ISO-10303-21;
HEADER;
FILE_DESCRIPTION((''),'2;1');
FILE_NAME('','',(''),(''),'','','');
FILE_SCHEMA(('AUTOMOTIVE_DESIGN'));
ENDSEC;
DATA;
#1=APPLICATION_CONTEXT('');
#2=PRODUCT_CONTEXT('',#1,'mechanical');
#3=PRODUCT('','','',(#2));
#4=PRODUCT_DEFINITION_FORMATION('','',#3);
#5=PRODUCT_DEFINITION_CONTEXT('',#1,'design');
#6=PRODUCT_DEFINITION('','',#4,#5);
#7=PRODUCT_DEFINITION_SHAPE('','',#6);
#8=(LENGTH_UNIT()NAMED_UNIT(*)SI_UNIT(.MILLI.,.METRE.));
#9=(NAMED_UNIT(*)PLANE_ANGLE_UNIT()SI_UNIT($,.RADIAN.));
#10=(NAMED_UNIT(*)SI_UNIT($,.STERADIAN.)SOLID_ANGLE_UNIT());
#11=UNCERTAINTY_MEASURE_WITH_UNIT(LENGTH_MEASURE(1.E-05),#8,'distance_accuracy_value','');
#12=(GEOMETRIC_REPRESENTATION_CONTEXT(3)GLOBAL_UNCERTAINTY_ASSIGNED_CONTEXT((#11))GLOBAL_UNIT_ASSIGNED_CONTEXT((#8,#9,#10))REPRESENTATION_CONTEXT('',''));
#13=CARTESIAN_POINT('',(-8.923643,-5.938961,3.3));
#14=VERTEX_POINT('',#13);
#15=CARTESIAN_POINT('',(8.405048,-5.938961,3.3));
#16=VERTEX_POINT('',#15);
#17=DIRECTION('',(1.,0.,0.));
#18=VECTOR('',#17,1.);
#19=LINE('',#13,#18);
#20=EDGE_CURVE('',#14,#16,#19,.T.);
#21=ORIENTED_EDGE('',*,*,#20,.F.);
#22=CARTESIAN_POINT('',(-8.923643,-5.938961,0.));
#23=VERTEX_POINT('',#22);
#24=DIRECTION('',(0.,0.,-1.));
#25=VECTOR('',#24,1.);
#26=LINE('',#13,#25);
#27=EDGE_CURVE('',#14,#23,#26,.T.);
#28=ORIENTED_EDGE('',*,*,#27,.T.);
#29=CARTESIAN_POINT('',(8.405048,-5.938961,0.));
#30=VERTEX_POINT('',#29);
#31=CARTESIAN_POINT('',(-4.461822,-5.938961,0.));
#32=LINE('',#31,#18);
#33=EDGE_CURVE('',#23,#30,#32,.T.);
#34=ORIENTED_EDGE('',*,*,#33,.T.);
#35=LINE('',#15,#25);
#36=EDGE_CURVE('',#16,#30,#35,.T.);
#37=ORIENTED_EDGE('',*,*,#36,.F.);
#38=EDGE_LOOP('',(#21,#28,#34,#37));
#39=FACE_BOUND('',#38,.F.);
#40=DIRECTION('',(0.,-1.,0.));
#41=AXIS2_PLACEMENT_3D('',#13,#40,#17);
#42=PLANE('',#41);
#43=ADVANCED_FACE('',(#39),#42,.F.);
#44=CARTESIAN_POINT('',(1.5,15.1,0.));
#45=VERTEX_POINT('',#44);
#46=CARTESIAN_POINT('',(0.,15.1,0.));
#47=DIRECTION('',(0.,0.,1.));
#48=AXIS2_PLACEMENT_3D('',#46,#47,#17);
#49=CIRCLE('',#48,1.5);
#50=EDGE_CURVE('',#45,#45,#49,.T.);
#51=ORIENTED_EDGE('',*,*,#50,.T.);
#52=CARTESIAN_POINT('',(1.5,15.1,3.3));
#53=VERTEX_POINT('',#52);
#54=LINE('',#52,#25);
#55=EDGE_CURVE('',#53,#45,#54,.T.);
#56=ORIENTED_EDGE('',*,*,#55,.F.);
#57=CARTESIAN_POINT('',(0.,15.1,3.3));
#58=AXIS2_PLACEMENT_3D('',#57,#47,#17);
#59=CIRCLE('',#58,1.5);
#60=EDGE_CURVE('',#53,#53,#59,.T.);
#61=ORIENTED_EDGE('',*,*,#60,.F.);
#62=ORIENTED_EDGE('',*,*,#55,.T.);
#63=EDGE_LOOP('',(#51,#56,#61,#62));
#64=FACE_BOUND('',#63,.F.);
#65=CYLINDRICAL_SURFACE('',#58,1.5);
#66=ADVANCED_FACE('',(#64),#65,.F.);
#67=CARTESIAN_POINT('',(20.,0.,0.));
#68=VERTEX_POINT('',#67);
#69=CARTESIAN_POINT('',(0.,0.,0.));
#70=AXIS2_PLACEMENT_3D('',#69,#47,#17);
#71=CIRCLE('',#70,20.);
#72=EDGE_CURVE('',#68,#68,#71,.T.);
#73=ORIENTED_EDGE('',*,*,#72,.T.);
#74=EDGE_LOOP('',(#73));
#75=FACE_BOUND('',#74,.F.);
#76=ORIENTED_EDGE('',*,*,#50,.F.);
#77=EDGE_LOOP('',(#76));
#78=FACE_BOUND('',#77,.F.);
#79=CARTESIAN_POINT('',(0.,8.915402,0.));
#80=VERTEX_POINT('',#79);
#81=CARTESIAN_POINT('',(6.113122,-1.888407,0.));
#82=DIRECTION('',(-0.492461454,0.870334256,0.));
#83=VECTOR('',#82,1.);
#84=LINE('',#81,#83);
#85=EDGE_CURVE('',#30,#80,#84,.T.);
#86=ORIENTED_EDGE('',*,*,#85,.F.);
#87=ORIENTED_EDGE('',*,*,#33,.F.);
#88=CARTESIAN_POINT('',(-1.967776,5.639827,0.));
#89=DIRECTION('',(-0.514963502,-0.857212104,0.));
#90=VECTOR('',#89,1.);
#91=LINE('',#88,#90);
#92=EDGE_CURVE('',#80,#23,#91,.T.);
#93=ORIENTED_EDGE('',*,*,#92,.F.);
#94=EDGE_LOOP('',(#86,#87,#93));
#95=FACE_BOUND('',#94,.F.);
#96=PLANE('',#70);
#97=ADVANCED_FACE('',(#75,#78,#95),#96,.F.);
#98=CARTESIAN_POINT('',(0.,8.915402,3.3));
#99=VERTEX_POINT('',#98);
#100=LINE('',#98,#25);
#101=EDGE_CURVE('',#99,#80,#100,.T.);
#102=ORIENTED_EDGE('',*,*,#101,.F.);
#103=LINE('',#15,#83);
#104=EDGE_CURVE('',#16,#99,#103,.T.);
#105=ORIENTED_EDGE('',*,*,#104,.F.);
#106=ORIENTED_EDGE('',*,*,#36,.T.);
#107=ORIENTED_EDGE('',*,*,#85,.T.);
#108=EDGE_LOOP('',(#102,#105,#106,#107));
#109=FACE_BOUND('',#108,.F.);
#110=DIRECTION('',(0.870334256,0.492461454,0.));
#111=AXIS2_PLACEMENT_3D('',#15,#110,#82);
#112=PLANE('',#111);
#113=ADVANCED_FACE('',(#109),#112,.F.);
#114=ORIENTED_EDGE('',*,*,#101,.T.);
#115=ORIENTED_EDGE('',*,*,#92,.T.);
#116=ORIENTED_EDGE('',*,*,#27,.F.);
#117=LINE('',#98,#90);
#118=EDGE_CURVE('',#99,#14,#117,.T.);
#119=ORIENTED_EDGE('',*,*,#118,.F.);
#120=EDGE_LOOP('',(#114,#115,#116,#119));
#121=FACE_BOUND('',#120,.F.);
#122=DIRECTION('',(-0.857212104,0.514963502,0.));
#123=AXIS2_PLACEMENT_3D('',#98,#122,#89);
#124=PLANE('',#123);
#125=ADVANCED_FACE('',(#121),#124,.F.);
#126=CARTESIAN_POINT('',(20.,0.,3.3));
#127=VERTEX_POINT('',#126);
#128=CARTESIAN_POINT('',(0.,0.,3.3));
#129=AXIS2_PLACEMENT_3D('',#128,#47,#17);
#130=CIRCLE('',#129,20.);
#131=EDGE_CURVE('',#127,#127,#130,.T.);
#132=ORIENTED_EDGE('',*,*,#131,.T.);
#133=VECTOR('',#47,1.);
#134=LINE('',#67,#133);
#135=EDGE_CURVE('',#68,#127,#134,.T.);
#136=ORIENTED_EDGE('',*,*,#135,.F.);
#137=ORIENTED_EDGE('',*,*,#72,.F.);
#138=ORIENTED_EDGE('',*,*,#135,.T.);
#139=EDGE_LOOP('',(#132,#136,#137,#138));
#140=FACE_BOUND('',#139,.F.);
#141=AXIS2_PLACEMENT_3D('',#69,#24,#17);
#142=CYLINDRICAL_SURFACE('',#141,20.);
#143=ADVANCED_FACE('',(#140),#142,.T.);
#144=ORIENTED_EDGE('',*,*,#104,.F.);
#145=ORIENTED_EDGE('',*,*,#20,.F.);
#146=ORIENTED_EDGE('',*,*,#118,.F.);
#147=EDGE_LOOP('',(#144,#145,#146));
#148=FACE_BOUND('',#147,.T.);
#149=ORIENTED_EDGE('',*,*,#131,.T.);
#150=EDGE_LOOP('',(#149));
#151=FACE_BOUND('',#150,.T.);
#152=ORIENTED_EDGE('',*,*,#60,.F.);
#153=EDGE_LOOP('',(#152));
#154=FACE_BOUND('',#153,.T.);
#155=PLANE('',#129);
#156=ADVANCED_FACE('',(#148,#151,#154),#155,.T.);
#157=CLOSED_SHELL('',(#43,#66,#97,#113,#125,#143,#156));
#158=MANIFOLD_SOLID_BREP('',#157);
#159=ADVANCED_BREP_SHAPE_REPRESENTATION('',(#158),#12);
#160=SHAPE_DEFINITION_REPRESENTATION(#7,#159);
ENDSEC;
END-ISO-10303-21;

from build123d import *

# Parameters (mm, degrees)
CYLINDER_R      = 20
CYLINDER_DEPTH  = 3.3
SKETCH_R        = 1.5
POCKET_DEPTH    = 3.301
POCKET001_DEPTH = 3.301


with BuildPart() as part:
    # Cylinder → Cylinder (new body)
    with BuildSketch(Plane.XY):
        Circle(CYLINDER_R)
    extrude(amount=CYLINDER_DEPTH)

    # Sketch → Pocket (cut, through all)
    with BuildSketch(Plane.XY.offset(3.3)):
        with Locations((0, 15.1)):
            Circle(SKETCH_R)
    extrude(amount=-POCKET_DEPTH, mode=Mode.SUBTRACT)

    # Sketch001 → Pocket001 (cut, through all)
    with BuildSketch(Plane.XY.offset(3.3)):
        Polygon((0, 8.915402), (-8.923643, -5.938961), (8.405048, -5.938961), align=None)
    extrude(amount=-POCKET001_DEPTH, mode=Mode.SUBTRACT)


solid = part.part
